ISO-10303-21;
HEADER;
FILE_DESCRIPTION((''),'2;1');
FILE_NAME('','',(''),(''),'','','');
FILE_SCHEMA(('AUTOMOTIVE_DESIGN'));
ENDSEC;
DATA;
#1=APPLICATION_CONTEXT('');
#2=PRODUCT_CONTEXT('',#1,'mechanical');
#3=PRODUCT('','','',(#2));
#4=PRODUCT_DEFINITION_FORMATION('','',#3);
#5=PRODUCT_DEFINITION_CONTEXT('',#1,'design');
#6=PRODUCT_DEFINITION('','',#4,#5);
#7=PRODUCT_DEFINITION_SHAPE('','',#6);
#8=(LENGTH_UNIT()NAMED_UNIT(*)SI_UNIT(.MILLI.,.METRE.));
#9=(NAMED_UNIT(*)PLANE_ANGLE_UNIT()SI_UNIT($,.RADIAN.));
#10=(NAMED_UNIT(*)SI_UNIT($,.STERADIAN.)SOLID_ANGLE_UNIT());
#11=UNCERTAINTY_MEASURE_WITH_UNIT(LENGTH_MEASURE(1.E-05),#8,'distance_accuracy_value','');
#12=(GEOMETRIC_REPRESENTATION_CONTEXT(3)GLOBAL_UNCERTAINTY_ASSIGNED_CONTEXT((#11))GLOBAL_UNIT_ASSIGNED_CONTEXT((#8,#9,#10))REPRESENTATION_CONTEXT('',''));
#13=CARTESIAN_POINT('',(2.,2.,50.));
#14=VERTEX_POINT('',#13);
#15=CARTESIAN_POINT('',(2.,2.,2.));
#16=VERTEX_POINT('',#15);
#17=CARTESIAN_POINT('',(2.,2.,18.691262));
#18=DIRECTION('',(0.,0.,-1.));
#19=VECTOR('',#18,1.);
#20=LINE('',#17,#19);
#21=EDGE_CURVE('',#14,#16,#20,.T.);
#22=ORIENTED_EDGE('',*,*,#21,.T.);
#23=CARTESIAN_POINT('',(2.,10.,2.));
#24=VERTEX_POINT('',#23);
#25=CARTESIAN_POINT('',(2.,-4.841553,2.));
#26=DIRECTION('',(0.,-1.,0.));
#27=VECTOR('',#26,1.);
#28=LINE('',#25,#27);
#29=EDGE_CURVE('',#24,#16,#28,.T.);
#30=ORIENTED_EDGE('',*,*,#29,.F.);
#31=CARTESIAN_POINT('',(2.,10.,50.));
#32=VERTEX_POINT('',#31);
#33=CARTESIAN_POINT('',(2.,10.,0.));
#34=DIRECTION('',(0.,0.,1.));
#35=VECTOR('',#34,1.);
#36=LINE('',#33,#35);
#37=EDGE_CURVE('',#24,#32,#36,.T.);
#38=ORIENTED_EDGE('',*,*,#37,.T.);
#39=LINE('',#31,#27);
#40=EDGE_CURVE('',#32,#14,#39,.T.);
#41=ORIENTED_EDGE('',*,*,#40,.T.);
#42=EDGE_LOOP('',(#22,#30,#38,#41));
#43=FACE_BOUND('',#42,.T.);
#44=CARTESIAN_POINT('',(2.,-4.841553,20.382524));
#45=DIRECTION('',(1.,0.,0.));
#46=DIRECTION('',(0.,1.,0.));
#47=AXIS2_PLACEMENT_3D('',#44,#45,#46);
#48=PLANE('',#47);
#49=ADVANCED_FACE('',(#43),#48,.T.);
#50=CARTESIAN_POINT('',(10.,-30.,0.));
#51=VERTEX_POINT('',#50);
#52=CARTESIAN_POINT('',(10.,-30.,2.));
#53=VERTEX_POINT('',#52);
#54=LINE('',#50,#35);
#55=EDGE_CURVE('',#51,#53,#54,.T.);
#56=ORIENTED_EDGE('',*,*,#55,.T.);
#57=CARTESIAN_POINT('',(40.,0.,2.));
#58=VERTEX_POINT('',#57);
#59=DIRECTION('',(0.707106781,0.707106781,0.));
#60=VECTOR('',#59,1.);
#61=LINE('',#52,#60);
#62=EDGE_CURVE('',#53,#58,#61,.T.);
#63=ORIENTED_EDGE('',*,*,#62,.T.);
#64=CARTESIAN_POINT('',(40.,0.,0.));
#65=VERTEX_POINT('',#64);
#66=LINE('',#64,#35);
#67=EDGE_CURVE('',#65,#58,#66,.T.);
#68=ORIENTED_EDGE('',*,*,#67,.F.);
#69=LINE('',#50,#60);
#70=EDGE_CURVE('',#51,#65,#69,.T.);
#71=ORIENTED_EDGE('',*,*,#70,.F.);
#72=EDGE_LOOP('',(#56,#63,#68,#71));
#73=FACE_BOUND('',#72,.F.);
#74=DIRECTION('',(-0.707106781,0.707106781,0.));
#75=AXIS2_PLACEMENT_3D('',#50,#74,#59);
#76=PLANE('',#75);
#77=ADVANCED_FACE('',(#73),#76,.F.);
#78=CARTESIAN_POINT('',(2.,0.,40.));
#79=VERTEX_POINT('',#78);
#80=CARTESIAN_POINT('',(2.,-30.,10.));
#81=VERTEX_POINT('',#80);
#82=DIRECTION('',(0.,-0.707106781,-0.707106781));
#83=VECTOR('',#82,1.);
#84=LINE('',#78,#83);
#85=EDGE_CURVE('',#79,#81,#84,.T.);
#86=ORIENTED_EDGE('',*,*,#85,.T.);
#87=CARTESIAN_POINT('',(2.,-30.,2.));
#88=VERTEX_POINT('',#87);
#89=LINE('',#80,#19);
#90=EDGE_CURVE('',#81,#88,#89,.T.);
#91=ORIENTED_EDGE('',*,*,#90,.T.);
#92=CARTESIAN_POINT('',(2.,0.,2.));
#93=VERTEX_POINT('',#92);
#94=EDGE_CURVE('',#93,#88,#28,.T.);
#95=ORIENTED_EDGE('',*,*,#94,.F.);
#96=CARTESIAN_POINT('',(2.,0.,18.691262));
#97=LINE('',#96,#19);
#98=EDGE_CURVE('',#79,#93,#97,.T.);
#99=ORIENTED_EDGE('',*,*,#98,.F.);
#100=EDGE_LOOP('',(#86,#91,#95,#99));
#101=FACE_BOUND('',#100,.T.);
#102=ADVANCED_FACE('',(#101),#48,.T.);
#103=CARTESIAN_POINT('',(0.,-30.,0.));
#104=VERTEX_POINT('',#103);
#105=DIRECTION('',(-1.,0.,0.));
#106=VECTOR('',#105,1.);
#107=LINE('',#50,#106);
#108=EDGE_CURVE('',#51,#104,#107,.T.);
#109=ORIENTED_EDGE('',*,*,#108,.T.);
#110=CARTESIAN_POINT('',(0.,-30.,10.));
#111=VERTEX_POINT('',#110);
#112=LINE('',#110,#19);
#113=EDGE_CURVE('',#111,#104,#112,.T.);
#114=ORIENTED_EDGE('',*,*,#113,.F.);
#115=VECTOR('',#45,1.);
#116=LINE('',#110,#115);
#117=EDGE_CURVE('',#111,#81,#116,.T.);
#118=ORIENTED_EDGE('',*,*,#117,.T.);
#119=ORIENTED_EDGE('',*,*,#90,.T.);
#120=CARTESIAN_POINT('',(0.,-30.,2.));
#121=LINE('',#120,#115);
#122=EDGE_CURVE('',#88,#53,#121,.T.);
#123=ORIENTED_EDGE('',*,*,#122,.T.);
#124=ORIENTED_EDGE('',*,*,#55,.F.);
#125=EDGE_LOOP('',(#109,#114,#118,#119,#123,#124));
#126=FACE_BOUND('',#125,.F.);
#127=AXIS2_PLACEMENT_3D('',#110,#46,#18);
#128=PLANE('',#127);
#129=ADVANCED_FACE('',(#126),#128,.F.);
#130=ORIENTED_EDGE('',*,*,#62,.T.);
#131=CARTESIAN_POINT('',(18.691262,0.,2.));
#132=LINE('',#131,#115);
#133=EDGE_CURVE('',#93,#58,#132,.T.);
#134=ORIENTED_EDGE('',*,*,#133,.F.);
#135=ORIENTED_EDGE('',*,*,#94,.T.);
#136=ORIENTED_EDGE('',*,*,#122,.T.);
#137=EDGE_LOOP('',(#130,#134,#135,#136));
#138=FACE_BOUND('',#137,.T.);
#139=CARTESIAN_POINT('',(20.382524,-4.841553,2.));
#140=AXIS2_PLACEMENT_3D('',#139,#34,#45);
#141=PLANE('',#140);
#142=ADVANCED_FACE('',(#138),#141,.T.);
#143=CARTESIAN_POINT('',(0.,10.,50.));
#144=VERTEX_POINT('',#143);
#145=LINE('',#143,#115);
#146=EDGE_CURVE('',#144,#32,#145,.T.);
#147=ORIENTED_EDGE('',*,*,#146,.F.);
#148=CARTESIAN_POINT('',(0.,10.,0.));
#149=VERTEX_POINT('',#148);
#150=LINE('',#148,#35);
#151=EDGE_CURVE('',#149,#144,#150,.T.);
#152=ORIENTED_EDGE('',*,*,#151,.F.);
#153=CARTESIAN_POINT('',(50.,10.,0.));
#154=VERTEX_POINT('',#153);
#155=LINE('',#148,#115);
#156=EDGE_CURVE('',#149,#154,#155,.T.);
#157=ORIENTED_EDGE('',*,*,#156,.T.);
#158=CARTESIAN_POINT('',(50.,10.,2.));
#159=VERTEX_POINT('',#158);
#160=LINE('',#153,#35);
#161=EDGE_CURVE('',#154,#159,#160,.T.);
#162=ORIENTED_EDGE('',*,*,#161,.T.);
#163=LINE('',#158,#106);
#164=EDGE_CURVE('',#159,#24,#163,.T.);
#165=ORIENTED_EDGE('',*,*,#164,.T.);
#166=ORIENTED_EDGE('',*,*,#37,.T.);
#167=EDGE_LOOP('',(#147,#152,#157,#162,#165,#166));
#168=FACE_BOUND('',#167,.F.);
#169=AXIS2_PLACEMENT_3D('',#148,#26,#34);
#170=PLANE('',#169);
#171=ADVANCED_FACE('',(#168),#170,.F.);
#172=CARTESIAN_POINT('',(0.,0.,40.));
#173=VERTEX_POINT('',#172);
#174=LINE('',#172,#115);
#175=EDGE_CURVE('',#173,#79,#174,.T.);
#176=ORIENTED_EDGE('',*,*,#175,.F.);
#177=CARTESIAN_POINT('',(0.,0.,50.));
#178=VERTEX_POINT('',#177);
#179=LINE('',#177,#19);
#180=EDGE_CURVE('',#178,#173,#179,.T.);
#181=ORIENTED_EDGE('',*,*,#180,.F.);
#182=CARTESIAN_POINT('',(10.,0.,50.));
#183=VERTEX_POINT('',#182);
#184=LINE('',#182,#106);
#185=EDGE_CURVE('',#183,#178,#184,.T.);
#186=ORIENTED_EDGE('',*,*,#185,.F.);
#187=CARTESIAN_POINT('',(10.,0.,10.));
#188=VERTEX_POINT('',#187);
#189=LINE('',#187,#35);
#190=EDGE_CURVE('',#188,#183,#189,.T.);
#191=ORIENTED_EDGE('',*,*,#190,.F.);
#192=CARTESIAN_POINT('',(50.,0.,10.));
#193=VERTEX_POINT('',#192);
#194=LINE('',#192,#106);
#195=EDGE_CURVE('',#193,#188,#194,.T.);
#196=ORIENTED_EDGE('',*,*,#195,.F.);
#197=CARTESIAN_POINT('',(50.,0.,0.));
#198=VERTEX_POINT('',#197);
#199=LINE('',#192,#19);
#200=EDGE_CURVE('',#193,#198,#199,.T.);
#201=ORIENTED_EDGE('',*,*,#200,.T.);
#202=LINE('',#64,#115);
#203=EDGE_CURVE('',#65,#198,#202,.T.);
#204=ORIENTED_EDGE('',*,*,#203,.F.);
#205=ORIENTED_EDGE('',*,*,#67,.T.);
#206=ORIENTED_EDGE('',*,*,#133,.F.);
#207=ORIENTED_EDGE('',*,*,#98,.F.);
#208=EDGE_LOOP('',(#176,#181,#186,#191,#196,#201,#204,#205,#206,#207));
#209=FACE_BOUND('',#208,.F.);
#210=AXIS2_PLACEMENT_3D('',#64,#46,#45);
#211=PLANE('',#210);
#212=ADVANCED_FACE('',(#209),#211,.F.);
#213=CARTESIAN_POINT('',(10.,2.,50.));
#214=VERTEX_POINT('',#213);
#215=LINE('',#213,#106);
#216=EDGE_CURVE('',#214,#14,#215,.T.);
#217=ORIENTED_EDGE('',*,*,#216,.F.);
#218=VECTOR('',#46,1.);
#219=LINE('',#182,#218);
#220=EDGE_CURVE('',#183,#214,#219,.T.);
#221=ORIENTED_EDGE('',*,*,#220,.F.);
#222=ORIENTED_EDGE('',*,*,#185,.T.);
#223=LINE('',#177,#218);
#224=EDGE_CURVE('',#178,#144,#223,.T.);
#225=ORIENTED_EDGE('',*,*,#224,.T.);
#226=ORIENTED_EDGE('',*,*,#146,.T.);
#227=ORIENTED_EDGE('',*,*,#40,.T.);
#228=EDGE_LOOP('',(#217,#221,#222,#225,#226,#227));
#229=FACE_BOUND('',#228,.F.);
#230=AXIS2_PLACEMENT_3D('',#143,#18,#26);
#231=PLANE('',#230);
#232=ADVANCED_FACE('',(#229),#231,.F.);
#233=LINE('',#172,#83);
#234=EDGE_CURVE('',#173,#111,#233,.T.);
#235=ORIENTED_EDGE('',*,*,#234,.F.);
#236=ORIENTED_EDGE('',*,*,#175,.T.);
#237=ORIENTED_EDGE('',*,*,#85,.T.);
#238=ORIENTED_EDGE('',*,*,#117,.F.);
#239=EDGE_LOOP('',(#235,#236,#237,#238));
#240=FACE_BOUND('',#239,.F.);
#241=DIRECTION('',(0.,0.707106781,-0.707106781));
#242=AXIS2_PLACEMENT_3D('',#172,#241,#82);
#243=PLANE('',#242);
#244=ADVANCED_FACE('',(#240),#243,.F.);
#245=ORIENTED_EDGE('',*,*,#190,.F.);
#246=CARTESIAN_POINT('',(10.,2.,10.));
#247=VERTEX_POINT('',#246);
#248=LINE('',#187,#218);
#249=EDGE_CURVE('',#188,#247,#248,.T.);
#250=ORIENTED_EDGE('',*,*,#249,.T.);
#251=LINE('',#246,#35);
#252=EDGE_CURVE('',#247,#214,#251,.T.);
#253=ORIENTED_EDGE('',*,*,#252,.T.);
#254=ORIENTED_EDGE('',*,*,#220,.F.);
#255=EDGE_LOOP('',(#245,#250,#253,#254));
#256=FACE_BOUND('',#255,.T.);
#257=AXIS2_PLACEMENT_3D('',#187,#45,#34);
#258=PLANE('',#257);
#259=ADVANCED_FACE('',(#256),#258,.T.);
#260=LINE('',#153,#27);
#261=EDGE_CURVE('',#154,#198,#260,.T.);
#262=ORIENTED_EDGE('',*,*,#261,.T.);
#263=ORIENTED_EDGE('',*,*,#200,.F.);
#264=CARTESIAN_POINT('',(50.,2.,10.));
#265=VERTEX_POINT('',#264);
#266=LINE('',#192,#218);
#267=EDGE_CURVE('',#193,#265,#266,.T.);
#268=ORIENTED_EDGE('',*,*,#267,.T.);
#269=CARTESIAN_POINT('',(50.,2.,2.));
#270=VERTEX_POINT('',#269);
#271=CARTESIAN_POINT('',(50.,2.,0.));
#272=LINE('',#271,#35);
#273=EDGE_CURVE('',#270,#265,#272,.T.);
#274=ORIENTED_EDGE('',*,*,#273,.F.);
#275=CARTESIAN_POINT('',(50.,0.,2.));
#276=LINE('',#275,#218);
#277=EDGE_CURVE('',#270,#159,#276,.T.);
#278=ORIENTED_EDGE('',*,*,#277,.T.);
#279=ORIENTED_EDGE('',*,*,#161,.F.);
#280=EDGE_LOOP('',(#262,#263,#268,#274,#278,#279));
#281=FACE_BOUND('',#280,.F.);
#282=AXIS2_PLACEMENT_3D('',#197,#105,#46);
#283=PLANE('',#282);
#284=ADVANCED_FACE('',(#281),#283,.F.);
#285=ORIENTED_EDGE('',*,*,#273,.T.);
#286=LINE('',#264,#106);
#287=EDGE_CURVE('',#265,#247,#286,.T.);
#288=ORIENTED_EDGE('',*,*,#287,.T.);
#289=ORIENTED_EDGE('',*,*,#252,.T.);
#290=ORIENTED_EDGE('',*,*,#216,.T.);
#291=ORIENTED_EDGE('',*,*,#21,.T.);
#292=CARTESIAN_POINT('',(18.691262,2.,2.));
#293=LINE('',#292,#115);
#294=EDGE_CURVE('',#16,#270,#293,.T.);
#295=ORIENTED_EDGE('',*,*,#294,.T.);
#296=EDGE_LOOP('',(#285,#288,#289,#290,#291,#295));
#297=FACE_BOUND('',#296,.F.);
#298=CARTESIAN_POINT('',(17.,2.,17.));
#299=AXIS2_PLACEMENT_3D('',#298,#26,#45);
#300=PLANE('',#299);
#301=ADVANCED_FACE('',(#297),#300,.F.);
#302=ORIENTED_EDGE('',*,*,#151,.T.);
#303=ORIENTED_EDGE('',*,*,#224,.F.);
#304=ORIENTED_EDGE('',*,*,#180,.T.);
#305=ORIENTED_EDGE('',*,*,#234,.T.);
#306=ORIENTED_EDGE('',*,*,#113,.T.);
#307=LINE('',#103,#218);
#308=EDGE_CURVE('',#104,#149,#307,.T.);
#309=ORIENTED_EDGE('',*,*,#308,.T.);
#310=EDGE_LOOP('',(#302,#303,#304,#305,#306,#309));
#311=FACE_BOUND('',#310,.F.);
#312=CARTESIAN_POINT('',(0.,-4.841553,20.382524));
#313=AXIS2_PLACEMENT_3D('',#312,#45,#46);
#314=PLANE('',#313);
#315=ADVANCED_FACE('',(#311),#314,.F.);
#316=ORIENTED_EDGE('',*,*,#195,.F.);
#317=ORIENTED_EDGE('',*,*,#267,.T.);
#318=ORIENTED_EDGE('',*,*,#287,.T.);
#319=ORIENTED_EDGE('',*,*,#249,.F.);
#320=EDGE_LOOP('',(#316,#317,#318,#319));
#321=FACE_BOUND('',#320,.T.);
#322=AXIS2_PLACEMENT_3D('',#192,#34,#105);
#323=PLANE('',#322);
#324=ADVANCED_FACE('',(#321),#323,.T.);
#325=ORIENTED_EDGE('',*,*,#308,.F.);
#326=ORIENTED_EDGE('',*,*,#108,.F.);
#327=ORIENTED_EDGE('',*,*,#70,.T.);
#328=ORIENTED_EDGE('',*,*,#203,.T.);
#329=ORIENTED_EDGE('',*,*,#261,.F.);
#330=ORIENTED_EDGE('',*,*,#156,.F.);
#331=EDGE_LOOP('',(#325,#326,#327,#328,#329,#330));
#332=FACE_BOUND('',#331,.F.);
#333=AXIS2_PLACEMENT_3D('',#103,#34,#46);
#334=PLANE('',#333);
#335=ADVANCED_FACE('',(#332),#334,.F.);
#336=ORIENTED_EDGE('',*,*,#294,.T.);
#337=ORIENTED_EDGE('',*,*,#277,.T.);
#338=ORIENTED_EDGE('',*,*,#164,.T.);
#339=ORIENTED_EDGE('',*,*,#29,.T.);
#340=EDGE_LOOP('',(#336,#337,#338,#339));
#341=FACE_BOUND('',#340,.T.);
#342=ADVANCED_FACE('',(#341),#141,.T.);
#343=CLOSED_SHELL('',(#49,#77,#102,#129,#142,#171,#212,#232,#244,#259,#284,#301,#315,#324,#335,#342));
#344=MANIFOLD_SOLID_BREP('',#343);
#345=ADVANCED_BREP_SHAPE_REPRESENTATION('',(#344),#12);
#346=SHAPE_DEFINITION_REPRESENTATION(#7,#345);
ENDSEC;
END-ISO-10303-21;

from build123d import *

# Parameters (mm, degrees)
F3_DEPTH = 2
F4_DEPTH = 2
F5_DEPTH = 2


with BuildPart() as f3:
    # F1 (on Right) → F3 (new body)
    with BuildSketch(Plane.YZ):
        Polygon((-30, 0), (10, 0), (10, 50), (0, 50), (0, 40), (-30, 10), align=None)
    extrude(amount=F3_DEPTH)

    # F0 (on Top) → F4 (join)
    with BuildSketch(Plane.XY):
        Polygon((0, 10), (0, -30), (10, -30), (40, 0), (50, 0), (50, 10), align=None)
    extrude(amount=F4_DEPTH)

    # F2 (on Front) → F5 (join)
    with BuildSketch(Plane.XZ):
        Polygon((0, 0), (40, 0), (50, 0), (50, 10), (10, 10), (10, 50), (0, 50), (0, 40), align=None)
    extrude(amount=-F5_DEPTH)


solid = f3.part
